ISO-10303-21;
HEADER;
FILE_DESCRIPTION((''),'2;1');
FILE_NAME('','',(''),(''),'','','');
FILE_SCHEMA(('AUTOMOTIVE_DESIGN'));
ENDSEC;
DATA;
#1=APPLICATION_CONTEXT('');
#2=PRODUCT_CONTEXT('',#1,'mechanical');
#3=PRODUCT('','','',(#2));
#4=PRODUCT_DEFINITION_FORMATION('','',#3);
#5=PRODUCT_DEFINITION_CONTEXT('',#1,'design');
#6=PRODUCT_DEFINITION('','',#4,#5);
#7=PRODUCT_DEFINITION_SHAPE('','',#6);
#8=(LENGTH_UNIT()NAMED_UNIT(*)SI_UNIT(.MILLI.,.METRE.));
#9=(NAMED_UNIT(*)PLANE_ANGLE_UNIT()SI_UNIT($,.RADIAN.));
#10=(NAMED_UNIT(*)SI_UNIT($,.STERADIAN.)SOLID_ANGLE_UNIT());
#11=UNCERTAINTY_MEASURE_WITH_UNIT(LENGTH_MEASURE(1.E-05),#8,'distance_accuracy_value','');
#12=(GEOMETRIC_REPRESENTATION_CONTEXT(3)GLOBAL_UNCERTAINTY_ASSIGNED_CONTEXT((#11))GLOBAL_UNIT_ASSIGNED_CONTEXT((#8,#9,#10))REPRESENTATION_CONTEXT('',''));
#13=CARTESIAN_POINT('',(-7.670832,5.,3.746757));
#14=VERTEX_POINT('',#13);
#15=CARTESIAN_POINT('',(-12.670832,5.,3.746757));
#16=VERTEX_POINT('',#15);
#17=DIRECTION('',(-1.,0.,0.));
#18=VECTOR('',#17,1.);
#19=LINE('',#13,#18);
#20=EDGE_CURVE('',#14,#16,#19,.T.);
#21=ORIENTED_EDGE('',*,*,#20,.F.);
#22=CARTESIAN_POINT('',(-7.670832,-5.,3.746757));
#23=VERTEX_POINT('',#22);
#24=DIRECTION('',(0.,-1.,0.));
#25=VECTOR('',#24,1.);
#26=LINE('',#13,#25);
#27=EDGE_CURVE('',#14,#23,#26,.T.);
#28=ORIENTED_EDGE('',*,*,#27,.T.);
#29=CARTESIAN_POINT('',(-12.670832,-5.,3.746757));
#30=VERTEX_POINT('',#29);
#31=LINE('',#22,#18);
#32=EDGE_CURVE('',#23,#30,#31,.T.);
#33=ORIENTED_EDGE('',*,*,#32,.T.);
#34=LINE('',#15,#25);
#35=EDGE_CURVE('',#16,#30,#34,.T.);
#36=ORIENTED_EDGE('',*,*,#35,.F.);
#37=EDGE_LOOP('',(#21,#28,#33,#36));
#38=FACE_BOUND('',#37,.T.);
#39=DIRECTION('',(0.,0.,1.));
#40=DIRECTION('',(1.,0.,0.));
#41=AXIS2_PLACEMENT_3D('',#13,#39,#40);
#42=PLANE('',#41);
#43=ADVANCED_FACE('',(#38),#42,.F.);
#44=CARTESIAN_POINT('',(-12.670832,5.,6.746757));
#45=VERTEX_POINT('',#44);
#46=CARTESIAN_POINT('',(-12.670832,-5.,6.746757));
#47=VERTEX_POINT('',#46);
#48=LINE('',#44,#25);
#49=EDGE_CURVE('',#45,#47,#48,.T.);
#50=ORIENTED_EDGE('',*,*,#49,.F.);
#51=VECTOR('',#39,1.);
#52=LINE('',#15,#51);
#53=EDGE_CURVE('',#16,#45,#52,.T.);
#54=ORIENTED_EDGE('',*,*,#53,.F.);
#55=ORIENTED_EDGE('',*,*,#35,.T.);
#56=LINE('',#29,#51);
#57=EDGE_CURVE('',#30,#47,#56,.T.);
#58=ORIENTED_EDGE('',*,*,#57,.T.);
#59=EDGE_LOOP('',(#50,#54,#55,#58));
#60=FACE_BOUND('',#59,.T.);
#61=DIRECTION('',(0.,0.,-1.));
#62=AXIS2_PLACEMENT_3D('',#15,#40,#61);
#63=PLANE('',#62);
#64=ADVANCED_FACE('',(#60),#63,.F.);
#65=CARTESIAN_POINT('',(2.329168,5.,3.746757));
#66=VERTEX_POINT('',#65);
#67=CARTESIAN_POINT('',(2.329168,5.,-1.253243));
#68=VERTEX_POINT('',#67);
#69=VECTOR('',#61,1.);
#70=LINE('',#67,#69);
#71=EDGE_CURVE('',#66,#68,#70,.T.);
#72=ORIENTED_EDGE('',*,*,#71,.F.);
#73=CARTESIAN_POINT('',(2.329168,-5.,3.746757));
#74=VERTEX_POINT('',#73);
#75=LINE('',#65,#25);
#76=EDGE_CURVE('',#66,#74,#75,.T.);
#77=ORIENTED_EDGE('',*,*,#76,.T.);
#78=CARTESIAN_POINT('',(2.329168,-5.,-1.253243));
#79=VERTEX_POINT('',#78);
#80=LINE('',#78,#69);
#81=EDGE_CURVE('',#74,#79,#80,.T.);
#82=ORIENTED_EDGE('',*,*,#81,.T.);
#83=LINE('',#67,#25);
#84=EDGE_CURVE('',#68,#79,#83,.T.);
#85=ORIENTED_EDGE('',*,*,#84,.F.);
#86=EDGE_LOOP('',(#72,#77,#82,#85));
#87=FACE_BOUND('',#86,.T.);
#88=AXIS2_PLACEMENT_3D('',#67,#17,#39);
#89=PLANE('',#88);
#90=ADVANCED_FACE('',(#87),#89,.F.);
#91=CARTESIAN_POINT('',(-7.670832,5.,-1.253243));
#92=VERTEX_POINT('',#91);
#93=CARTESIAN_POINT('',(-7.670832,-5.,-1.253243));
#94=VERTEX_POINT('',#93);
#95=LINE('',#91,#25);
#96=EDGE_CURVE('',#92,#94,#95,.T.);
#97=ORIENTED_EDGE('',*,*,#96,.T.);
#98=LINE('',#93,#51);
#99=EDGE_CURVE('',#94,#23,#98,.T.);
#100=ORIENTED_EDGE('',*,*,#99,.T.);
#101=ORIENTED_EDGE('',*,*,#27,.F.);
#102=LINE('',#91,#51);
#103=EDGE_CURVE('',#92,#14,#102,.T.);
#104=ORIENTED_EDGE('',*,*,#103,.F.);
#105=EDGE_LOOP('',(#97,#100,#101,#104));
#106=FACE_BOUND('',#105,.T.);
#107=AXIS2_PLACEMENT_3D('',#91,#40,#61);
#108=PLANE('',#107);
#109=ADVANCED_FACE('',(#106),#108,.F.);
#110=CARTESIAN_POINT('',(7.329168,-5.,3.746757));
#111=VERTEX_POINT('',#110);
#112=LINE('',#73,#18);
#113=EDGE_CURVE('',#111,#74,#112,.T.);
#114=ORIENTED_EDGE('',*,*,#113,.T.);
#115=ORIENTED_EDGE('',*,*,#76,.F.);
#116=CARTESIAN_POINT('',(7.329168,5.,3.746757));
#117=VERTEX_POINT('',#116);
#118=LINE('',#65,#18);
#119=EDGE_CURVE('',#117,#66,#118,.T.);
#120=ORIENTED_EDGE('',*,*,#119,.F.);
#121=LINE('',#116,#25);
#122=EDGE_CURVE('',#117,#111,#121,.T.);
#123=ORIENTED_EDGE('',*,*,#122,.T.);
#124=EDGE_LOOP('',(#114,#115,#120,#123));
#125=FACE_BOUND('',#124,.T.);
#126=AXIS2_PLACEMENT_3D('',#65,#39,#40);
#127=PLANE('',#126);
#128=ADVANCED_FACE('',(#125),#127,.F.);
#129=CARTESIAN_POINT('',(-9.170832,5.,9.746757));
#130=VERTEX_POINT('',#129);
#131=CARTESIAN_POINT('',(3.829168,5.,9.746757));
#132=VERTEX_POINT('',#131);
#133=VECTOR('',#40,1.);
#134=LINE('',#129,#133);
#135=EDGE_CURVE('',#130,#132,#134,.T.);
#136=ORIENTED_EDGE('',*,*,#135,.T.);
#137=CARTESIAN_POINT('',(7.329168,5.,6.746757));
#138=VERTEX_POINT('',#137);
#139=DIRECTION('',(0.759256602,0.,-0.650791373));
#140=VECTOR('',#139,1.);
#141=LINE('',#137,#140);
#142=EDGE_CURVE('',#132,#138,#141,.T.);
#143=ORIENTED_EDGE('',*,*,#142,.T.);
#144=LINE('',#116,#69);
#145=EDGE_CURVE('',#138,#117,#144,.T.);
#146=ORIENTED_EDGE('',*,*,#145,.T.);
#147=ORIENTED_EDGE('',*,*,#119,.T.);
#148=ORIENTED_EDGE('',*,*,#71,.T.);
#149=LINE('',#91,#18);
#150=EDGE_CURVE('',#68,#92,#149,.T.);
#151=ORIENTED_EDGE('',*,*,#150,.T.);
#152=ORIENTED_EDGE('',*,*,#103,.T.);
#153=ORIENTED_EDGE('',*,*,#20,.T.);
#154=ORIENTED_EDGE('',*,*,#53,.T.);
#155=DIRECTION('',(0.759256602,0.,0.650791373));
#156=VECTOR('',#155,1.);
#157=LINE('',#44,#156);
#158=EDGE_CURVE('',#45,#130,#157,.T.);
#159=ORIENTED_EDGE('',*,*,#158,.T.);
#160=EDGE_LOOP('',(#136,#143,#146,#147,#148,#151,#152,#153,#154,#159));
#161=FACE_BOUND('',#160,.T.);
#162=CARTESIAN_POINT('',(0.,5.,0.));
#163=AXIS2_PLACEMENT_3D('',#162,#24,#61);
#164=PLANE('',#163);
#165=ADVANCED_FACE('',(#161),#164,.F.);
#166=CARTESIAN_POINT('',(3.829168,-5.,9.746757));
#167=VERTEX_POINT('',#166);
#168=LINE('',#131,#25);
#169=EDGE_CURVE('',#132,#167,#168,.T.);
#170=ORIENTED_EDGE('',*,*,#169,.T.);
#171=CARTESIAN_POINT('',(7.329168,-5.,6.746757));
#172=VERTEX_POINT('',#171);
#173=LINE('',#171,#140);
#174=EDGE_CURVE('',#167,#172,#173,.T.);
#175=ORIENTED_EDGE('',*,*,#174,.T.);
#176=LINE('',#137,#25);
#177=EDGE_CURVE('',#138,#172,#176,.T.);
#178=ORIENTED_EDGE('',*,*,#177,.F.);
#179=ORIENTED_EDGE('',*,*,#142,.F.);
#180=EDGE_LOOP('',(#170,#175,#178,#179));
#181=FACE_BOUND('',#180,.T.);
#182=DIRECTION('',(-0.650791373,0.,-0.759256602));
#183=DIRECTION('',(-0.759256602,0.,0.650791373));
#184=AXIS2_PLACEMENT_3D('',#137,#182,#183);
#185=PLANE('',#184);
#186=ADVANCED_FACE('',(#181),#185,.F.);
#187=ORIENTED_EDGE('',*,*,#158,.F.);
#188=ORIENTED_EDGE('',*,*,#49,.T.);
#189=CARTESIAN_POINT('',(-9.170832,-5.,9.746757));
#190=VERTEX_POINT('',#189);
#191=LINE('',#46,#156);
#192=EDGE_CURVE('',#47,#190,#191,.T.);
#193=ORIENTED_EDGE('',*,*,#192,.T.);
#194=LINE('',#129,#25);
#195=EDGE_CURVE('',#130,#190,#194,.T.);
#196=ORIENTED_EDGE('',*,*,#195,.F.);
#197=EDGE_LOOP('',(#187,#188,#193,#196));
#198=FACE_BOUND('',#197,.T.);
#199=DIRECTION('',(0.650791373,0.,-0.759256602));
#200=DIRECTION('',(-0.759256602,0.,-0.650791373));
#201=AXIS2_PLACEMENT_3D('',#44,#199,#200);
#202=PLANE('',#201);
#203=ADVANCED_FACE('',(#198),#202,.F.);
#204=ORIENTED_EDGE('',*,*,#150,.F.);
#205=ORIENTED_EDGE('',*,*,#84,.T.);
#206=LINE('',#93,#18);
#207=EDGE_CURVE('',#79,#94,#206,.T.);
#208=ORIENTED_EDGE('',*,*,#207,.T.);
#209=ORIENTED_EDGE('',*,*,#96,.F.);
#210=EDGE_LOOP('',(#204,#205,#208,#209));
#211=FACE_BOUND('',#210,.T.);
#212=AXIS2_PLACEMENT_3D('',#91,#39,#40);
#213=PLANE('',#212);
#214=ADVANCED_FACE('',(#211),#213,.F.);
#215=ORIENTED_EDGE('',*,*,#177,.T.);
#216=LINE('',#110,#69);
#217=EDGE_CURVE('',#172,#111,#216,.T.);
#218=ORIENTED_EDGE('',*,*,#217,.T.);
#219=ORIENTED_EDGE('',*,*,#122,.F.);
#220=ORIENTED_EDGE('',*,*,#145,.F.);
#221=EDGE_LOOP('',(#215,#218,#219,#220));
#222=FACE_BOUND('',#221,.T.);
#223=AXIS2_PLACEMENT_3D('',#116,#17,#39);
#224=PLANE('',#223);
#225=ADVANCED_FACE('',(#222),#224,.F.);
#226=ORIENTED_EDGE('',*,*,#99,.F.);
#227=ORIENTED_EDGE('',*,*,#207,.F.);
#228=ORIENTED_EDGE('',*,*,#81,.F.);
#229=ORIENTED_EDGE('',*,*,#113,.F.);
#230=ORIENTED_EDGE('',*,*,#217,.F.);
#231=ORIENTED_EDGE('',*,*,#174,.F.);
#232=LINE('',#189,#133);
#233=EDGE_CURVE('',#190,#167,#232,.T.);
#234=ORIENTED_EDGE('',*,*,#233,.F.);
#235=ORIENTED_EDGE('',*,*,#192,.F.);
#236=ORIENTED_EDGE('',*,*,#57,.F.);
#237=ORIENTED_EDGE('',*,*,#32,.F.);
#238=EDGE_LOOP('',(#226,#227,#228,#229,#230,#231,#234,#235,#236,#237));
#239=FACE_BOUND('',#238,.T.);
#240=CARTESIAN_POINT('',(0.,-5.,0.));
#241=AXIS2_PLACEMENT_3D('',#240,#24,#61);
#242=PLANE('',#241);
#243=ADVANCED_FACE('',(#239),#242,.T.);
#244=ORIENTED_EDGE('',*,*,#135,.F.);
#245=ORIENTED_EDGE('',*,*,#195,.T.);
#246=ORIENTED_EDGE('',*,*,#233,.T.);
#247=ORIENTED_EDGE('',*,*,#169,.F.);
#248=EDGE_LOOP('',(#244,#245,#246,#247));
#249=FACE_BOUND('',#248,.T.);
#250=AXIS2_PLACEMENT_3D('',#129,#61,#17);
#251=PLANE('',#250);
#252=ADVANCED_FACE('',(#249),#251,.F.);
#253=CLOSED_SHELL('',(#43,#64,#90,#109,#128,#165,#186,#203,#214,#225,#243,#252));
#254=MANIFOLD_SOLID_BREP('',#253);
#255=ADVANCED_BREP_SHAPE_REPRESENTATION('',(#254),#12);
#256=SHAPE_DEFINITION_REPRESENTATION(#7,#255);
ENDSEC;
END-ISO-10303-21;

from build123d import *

# Parameters (mm, degrees)
BOSS_EXTRUDE1_DEPTH = 5


with BuildPart() as part:
    # Sketch1 → Boss-Extrude1 (new, symmetric)
    with BuildSketch(Plane(origin=(0, 0, 0), x_dir=(1, 0, 0), z_dir=(0, 1, 0))):
        Polygon((-7.670831542, 1.253243397), (2.329168458, 1.253243397), (2.329168458, -3.746756603), (7.329168458, -3.746756603), (7.329168458, -6.746756603), (3.829168458, -9.746756603), (-9.170831542, -9.746756603), (-12.670831542, -6.746756603), (-12.670831542, -3.746756603), (-7.670831542, -3.746756603), align=None)
    extrude(amount=BOSS_EXTRUDE1_DEPTH, both=True)


solid = part.part
